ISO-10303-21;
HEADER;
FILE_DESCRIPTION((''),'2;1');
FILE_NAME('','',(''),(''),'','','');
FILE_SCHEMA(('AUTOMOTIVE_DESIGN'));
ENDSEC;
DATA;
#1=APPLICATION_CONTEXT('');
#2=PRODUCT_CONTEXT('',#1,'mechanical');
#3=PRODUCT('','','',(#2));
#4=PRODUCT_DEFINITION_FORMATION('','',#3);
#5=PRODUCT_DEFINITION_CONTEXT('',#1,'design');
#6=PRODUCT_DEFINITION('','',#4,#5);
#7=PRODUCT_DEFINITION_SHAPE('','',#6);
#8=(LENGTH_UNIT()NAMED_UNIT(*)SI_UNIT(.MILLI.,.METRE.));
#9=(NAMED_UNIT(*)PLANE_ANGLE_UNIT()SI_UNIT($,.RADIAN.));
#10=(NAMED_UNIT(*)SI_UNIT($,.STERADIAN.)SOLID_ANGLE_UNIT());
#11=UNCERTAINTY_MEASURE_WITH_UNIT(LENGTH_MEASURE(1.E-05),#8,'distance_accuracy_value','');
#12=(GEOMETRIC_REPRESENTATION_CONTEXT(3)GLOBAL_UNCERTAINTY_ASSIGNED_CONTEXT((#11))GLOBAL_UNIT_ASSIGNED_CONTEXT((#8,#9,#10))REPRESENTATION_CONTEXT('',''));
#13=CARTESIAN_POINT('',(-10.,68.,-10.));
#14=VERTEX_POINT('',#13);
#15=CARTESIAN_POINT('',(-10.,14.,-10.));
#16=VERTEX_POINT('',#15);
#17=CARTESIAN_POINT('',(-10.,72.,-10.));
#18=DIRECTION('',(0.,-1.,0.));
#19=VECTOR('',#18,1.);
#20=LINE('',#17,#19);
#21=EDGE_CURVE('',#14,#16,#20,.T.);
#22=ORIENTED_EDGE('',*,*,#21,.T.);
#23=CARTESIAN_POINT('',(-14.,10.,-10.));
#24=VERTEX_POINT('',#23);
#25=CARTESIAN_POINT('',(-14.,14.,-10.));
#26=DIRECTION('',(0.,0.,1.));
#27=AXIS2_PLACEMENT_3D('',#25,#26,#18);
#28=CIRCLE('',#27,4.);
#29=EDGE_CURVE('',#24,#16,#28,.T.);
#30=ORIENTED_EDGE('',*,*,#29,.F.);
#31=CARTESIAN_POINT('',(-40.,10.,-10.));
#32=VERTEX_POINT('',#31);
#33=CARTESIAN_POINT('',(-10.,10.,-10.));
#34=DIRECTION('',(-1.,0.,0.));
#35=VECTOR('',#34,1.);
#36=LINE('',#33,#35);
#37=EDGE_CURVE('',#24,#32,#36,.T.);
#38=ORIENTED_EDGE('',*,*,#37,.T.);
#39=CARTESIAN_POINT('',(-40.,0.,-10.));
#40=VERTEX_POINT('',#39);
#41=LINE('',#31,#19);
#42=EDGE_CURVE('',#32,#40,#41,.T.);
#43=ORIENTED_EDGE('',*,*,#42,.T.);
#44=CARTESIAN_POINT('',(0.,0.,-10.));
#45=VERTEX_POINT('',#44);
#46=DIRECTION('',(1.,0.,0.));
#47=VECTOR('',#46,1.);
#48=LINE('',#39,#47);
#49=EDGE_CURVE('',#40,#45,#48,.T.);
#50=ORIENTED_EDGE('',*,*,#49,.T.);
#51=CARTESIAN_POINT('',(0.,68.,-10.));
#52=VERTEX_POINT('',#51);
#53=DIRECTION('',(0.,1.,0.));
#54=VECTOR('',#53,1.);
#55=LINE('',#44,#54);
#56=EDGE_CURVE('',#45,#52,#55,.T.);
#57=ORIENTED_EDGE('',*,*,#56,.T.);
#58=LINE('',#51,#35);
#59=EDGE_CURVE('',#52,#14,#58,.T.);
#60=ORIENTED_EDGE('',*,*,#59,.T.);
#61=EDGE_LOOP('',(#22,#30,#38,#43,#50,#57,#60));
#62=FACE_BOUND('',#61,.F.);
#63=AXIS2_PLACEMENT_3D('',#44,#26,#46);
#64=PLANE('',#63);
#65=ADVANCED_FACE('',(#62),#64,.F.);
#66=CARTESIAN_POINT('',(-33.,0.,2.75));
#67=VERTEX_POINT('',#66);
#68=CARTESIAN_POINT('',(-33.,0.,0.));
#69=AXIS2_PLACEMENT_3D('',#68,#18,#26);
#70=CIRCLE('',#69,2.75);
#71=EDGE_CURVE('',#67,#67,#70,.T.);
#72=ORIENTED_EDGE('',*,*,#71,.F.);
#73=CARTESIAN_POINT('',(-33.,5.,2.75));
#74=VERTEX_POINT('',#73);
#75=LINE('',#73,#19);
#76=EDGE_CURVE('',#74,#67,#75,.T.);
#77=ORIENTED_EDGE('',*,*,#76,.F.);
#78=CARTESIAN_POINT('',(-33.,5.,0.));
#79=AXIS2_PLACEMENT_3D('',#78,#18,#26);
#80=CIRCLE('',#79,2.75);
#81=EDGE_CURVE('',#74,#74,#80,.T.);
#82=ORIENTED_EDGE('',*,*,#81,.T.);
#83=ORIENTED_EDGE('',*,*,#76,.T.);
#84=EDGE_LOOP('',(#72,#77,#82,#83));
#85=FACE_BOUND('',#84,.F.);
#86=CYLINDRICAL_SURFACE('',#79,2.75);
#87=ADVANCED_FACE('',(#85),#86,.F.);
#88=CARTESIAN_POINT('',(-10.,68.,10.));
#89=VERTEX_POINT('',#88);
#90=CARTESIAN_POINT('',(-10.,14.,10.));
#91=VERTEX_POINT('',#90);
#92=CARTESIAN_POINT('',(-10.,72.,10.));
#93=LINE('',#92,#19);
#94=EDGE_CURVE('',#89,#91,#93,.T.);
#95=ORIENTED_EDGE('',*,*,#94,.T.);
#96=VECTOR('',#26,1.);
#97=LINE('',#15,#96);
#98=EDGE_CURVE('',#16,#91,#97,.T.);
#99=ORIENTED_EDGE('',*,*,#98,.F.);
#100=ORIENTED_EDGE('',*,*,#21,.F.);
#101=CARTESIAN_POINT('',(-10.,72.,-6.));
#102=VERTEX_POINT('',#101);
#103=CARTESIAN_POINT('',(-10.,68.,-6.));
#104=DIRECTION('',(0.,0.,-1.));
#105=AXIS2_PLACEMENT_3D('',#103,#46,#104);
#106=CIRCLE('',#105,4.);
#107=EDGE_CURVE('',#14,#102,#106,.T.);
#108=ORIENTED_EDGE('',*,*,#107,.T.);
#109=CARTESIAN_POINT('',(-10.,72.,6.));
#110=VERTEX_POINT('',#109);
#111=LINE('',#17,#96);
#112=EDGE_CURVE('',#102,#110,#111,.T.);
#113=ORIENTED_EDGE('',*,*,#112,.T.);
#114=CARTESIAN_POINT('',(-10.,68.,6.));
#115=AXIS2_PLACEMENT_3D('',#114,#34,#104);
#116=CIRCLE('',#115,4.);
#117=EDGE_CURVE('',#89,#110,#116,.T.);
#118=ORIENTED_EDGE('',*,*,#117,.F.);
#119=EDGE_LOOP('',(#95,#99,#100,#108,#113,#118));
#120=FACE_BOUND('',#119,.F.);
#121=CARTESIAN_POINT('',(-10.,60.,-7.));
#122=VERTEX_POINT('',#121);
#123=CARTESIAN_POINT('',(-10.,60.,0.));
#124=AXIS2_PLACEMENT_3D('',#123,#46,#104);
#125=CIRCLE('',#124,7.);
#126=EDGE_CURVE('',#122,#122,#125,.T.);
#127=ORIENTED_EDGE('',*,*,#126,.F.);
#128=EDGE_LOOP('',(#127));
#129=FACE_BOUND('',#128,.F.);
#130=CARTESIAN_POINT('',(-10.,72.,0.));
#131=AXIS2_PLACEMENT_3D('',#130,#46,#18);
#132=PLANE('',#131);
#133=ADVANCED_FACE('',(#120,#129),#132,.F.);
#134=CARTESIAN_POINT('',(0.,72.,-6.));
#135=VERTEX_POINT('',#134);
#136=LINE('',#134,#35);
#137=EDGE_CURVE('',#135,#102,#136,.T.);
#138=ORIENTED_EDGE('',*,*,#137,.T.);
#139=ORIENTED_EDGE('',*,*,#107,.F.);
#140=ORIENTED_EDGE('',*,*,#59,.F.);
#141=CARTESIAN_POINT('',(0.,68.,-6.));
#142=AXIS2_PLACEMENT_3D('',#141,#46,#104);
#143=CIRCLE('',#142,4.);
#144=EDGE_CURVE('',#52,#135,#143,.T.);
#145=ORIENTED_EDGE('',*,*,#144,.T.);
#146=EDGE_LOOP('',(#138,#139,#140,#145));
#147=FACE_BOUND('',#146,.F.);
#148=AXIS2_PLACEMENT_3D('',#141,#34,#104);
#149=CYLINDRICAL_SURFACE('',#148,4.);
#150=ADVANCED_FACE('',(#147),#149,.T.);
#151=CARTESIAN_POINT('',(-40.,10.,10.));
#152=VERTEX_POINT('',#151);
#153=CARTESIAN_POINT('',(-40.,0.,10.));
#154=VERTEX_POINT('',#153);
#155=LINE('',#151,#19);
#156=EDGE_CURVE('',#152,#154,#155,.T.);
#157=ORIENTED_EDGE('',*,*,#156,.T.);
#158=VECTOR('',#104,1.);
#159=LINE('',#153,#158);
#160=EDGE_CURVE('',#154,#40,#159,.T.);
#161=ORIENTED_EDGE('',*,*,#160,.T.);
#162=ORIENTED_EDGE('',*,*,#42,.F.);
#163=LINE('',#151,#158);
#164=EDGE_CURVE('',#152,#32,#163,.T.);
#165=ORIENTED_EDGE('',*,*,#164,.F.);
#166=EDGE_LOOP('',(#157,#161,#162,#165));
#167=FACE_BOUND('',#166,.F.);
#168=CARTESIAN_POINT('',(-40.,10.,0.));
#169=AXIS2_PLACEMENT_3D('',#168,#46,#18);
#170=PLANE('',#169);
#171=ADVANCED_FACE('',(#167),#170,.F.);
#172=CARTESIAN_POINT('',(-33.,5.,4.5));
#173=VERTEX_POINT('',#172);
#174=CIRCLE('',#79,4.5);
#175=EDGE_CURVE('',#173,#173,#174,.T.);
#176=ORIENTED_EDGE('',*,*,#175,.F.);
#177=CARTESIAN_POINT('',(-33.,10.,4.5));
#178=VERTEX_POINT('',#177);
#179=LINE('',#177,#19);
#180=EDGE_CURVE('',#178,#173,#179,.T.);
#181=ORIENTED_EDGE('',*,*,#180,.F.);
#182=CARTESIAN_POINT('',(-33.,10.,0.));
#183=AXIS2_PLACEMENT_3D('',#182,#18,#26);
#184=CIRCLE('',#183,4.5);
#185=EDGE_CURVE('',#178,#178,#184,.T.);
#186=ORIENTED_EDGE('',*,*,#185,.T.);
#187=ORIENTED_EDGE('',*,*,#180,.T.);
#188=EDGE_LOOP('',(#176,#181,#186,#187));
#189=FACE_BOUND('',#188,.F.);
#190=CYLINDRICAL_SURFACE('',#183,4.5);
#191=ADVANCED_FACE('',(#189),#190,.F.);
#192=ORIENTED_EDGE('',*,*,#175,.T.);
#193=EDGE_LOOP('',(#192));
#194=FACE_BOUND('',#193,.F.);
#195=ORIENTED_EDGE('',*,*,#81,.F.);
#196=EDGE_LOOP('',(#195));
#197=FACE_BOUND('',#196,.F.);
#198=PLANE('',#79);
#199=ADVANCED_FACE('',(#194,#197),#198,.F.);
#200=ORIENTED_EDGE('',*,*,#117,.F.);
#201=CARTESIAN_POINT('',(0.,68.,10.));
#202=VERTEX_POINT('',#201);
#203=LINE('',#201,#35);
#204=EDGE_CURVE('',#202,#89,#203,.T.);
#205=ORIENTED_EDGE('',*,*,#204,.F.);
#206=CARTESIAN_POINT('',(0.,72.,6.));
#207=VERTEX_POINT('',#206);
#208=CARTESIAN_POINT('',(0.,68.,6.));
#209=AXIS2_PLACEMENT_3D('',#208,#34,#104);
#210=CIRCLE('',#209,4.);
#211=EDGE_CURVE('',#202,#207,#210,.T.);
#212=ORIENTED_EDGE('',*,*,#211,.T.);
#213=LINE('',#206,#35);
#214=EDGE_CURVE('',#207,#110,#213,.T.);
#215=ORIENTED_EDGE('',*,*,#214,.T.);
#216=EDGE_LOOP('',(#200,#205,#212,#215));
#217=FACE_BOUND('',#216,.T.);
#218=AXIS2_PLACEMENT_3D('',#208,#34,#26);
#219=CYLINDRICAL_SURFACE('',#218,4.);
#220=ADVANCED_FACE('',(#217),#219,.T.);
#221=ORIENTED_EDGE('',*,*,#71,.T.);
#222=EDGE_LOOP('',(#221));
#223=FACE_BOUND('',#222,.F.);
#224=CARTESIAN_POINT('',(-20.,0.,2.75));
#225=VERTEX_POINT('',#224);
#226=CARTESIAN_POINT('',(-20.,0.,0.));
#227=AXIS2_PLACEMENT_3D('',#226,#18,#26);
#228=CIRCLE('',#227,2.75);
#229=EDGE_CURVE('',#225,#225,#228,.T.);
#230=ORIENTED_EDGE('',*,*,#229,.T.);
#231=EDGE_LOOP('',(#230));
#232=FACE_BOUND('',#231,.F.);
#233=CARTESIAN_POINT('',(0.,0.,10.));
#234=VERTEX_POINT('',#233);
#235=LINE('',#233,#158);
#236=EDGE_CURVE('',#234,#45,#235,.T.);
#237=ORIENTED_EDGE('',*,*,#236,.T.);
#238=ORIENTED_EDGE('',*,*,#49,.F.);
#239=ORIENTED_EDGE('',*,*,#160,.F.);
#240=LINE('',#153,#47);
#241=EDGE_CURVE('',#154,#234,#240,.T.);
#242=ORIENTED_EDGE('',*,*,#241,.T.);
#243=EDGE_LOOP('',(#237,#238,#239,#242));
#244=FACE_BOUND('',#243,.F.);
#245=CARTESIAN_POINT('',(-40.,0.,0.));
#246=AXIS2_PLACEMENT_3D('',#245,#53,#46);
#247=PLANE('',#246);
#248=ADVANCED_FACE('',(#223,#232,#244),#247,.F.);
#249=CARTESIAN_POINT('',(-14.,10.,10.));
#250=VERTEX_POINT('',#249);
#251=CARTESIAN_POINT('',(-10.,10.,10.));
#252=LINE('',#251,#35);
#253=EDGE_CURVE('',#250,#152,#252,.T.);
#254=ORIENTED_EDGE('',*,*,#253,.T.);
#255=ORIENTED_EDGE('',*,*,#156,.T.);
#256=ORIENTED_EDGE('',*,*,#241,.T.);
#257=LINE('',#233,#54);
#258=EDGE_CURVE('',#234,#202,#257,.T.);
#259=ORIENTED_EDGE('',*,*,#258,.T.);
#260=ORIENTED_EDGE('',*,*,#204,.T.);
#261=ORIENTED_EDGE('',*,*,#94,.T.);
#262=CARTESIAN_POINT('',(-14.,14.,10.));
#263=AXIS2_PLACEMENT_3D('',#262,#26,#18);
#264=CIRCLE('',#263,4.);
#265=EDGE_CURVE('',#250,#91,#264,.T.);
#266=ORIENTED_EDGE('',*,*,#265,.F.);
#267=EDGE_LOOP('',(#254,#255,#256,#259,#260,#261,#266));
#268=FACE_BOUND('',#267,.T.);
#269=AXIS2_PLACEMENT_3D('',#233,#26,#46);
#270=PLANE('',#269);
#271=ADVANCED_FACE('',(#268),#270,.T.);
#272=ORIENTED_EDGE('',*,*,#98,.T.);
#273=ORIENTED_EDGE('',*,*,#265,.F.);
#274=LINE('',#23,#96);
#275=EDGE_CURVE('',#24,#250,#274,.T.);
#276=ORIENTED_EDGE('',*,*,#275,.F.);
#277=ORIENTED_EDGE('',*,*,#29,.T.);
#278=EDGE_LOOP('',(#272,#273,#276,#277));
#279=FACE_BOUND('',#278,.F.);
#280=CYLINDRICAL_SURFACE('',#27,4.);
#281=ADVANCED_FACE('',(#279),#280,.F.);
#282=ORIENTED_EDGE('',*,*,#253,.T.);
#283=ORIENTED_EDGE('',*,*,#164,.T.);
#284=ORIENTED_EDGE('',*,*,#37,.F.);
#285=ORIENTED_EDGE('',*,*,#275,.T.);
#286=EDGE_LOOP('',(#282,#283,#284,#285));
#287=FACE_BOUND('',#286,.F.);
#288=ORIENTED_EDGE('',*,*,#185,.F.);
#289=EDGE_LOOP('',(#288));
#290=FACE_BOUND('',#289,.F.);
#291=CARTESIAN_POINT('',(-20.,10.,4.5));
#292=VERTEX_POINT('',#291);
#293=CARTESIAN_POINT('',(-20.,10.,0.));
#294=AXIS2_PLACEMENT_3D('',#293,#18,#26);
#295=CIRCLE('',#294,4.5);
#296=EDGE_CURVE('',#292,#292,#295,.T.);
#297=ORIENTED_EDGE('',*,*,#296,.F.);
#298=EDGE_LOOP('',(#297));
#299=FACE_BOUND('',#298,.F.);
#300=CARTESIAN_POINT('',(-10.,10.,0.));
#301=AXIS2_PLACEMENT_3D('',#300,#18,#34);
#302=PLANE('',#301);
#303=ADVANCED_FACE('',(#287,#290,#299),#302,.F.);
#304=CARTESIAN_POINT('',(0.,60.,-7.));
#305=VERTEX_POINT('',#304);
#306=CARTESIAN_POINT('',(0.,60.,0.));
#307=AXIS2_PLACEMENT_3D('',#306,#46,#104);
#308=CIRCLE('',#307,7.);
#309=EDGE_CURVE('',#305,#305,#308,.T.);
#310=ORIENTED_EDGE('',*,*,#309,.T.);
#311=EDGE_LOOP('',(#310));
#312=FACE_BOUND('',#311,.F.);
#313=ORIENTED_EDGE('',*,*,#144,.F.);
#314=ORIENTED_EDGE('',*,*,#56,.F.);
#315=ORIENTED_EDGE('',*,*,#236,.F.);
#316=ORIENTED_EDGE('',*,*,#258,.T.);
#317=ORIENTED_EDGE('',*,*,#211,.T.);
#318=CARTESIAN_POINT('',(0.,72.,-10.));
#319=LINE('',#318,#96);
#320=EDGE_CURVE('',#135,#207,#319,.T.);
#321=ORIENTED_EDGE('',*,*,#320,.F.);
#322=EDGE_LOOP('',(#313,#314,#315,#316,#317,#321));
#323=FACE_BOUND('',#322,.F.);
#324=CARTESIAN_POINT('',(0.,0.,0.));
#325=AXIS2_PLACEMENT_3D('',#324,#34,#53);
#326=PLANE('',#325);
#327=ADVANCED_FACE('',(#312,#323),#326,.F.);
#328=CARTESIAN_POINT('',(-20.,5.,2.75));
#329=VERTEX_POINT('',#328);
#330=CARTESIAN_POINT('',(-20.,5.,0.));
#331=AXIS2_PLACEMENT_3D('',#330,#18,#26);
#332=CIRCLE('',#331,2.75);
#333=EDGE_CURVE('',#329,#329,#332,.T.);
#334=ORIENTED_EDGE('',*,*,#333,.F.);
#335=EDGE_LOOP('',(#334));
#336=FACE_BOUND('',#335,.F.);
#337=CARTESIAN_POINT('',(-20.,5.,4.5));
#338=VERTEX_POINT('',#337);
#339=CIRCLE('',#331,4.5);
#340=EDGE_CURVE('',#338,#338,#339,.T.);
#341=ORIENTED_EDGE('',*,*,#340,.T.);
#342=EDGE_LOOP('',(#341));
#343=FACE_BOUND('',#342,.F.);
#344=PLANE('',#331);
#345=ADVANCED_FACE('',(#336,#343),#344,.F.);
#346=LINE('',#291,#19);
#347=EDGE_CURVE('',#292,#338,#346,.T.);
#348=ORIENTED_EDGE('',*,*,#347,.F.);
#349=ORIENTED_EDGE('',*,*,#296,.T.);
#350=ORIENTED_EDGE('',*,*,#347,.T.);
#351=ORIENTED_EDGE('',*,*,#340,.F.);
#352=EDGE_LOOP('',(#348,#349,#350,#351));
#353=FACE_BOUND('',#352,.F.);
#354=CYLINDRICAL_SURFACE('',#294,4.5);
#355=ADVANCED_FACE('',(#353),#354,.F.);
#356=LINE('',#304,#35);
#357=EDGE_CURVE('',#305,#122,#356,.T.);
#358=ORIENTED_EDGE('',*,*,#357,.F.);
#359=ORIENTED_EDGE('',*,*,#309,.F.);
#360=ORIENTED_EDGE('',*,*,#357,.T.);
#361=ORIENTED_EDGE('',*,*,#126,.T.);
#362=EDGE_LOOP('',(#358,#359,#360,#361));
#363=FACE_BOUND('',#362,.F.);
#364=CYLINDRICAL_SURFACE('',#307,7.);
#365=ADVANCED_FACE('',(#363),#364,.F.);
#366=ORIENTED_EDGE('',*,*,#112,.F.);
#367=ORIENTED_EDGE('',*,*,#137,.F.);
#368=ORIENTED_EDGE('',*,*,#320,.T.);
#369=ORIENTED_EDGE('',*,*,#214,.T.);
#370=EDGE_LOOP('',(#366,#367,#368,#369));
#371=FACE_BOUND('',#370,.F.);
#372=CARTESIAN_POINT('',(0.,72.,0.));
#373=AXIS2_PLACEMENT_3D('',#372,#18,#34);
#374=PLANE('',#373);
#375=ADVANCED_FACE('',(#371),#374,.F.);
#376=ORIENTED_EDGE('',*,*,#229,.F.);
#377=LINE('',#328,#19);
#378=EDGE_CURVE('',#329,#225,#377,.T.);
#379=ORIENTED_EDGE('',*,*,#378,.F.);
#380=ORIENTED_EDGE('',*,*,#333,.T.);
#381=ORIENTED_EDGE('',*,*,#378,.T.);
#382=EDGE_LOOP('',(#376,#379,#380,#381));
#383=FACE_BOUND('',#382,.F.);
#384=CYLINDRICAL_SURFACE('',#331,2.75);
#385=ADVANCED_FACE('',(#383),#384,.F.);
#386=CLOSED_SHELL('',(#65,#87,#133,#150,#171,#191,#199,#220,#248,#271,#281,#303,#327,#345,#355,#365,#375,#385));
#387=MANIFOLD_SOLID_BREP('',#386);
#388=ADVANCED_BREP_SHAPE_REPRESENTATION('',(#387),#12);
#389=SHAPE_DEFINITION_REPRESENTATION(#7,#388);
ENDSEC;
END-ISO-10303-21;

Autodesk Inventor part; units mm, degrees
ref_plane "YZ Plane" through (0, 0, 0) normal (1, 0, 0) x (0, 1, 0)
ref_plane "XZ Plane" through (0, 0, 0) normal (0, 1, 0) x (-1, 0, 0)
ref_plane "XY Plane" through (0, 0, 0) normal (0, 0, 1) x (1, 0, 0)
sketch "Sketch1" plane through (0, 0, 0) normal (0, 0, 1) x (1, 0, 0)
  line L0 (0, 72) -> (-10, 72)
  line L1 (-10, 72) -> (-10, 10)
  line L2 (-10, 10) -> (-40, 10)
  line L3 (-40, 10) -> (-40, 0)
  line L4 (-40, 0) -> (0, 0)
  line L5 (0, 0) -> (0, 72)
  dimension "d0" = 10
  dimension "d1" = 40
  dimension "d2" = 10
  dimension "d3" = 72
extrude "Extrusion1" add sketch "Sketch1" along normal mid plane 20
sketch "Sketch2" plane through (0, 0, 10) normal (1, 0, 0) x (0, 0, -1)
  circle A0 centre (10, 60) radius 7
  line L0 (20, 72) -> (0, 72) projected
  point P0 (10, 0)
  dimension "d6" = 0
  dimension "d7" = 12
  dimension "d8" = 14
extrude "Extrusion2" cut sketch "Sketch2" against normal up to surface (10 mm away)
fillet "Fillet1" radius 4 3 edges at (-5, 72, 10) (-5, 72, -10) (-10, 10, 0)
sketch "Sketch3" plane through (-40, 10, 10) normal (0, 1, 0) x (1, 0, 0)
  line L0 (26, 0) -> (0, 0) projected
  line L1 (0, 20) -> (26, 20) projected
  line L2 (0, 20) -> (0, 0) projected
  point P0 (40, 10)
  point P1 (7, 10)
  point P2 (20, 10)
  dimension "d19" = 20
  dimension "d20" = 10
  dimension "d21" = 0
  dimension "d22" = 7
  dimension "d23" = 13
hole "Hole1" at (-33, 10, 0) at (-20, 10, 0) direction (0, -1, 0) diameter 5.5 depth 10 counterbore diameter 9 counterbore depth 5
equation "\"d20\" = 0.5 * d19"
properties part number "induction_adapter" material "ABS Plastic"
